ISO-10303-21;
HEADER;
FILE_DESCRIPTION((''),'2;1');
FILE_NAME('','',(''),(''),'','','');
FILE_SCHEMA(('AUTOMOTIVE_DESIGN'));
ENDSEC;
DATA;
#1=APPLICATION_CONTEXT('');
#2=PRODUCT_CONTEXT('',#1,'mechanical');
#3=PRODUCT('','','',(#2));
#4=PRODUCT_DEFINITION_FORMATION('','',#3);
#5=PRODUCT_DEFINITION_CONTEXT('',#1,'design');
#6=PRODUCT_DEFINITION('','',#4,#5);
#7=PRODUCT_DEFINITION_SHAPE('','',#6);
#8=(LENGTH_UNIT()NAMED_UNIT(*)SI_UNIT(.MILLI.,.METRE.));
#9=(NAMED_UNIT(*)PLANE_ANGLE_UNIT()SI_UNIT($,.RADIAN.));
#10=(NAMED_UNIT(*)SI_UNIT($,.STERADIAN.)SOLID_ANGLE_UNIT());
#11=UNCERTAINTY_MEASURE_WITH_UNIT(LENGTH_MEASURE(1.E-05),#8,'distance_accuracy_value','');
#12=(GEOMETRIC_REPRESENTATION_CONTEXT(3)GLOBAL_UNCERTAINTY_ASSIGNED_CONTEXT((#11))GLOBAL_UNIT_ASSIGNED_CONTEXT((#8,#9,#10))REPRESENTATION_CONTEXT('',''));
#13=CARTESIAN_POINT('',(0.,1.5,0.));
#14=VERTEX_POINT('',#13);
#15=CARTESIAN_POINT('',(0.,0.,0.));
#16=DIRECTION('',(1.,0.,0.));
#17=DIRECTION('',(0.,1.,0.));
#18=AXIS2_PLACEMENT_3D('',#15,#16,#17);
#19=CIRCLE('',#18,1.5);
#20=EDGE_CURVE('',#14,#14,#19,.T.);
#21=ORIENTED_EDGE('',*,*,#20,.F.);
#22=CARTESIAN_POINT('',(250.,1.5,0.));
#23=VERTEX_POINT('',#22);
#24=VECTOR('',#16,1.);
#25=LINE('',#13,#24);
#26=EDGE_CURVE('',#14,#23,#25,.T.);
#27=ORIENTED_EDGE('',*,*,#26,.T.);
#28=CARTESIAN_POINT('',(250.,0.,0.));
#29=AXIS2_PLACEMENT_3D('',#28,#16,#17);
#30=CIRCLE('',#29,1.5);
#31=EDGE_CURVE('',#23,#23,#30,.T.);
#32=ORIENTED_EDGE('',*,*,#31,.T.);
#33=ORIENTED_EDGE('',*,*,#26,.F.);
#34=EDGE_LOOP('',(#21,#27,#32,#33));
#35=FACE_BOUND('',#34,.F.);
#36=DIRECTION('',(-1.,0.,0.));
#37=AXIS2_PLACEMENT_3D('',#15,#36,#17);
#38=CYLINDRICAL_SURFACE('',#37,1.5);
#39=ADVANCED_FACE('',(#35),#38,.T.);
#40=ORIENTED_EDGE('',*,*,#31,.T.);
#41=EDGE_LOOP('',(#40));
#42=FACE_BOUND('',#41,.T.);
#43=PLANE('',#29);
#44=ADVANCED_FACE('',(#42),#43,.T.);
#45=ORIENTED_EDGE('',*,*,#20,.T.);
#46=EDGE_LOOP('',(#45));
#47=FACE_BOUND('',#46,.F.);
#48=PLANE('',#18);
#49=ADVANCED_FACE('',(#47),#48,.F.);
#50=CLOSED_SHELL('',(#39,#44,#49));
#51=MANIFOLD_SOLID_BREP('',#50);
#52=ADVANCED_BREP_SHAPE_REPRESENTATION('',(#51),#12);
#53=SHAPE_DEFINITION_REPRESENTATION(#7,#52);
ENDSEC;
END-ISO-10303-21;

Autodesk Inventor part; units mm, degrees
ref_plane "YZ Plane" through (0, 0, 0) normal (1, 0, 0) x (0, 1, 0)
ref_plane "XZ Plane" through (0, 0, 0) normal (0, 1, 0) x (-1, 0, 0)
ref_plane "XY Plane" through (0, 0, 0) normal (0, 0, 1) x (1, 0, 0)
sketch "Sketch2" plane through (0, 0, 0) normal (1, 0, 0) x (0, 1, 0)
  circle A0 centre (0, 0) radius 1.5
  dimension "d0" = 3
extrude "Extrusion1" add sketch "Sketch2" along normal blind 250
properties part number "beam small 102" material "Laser"
